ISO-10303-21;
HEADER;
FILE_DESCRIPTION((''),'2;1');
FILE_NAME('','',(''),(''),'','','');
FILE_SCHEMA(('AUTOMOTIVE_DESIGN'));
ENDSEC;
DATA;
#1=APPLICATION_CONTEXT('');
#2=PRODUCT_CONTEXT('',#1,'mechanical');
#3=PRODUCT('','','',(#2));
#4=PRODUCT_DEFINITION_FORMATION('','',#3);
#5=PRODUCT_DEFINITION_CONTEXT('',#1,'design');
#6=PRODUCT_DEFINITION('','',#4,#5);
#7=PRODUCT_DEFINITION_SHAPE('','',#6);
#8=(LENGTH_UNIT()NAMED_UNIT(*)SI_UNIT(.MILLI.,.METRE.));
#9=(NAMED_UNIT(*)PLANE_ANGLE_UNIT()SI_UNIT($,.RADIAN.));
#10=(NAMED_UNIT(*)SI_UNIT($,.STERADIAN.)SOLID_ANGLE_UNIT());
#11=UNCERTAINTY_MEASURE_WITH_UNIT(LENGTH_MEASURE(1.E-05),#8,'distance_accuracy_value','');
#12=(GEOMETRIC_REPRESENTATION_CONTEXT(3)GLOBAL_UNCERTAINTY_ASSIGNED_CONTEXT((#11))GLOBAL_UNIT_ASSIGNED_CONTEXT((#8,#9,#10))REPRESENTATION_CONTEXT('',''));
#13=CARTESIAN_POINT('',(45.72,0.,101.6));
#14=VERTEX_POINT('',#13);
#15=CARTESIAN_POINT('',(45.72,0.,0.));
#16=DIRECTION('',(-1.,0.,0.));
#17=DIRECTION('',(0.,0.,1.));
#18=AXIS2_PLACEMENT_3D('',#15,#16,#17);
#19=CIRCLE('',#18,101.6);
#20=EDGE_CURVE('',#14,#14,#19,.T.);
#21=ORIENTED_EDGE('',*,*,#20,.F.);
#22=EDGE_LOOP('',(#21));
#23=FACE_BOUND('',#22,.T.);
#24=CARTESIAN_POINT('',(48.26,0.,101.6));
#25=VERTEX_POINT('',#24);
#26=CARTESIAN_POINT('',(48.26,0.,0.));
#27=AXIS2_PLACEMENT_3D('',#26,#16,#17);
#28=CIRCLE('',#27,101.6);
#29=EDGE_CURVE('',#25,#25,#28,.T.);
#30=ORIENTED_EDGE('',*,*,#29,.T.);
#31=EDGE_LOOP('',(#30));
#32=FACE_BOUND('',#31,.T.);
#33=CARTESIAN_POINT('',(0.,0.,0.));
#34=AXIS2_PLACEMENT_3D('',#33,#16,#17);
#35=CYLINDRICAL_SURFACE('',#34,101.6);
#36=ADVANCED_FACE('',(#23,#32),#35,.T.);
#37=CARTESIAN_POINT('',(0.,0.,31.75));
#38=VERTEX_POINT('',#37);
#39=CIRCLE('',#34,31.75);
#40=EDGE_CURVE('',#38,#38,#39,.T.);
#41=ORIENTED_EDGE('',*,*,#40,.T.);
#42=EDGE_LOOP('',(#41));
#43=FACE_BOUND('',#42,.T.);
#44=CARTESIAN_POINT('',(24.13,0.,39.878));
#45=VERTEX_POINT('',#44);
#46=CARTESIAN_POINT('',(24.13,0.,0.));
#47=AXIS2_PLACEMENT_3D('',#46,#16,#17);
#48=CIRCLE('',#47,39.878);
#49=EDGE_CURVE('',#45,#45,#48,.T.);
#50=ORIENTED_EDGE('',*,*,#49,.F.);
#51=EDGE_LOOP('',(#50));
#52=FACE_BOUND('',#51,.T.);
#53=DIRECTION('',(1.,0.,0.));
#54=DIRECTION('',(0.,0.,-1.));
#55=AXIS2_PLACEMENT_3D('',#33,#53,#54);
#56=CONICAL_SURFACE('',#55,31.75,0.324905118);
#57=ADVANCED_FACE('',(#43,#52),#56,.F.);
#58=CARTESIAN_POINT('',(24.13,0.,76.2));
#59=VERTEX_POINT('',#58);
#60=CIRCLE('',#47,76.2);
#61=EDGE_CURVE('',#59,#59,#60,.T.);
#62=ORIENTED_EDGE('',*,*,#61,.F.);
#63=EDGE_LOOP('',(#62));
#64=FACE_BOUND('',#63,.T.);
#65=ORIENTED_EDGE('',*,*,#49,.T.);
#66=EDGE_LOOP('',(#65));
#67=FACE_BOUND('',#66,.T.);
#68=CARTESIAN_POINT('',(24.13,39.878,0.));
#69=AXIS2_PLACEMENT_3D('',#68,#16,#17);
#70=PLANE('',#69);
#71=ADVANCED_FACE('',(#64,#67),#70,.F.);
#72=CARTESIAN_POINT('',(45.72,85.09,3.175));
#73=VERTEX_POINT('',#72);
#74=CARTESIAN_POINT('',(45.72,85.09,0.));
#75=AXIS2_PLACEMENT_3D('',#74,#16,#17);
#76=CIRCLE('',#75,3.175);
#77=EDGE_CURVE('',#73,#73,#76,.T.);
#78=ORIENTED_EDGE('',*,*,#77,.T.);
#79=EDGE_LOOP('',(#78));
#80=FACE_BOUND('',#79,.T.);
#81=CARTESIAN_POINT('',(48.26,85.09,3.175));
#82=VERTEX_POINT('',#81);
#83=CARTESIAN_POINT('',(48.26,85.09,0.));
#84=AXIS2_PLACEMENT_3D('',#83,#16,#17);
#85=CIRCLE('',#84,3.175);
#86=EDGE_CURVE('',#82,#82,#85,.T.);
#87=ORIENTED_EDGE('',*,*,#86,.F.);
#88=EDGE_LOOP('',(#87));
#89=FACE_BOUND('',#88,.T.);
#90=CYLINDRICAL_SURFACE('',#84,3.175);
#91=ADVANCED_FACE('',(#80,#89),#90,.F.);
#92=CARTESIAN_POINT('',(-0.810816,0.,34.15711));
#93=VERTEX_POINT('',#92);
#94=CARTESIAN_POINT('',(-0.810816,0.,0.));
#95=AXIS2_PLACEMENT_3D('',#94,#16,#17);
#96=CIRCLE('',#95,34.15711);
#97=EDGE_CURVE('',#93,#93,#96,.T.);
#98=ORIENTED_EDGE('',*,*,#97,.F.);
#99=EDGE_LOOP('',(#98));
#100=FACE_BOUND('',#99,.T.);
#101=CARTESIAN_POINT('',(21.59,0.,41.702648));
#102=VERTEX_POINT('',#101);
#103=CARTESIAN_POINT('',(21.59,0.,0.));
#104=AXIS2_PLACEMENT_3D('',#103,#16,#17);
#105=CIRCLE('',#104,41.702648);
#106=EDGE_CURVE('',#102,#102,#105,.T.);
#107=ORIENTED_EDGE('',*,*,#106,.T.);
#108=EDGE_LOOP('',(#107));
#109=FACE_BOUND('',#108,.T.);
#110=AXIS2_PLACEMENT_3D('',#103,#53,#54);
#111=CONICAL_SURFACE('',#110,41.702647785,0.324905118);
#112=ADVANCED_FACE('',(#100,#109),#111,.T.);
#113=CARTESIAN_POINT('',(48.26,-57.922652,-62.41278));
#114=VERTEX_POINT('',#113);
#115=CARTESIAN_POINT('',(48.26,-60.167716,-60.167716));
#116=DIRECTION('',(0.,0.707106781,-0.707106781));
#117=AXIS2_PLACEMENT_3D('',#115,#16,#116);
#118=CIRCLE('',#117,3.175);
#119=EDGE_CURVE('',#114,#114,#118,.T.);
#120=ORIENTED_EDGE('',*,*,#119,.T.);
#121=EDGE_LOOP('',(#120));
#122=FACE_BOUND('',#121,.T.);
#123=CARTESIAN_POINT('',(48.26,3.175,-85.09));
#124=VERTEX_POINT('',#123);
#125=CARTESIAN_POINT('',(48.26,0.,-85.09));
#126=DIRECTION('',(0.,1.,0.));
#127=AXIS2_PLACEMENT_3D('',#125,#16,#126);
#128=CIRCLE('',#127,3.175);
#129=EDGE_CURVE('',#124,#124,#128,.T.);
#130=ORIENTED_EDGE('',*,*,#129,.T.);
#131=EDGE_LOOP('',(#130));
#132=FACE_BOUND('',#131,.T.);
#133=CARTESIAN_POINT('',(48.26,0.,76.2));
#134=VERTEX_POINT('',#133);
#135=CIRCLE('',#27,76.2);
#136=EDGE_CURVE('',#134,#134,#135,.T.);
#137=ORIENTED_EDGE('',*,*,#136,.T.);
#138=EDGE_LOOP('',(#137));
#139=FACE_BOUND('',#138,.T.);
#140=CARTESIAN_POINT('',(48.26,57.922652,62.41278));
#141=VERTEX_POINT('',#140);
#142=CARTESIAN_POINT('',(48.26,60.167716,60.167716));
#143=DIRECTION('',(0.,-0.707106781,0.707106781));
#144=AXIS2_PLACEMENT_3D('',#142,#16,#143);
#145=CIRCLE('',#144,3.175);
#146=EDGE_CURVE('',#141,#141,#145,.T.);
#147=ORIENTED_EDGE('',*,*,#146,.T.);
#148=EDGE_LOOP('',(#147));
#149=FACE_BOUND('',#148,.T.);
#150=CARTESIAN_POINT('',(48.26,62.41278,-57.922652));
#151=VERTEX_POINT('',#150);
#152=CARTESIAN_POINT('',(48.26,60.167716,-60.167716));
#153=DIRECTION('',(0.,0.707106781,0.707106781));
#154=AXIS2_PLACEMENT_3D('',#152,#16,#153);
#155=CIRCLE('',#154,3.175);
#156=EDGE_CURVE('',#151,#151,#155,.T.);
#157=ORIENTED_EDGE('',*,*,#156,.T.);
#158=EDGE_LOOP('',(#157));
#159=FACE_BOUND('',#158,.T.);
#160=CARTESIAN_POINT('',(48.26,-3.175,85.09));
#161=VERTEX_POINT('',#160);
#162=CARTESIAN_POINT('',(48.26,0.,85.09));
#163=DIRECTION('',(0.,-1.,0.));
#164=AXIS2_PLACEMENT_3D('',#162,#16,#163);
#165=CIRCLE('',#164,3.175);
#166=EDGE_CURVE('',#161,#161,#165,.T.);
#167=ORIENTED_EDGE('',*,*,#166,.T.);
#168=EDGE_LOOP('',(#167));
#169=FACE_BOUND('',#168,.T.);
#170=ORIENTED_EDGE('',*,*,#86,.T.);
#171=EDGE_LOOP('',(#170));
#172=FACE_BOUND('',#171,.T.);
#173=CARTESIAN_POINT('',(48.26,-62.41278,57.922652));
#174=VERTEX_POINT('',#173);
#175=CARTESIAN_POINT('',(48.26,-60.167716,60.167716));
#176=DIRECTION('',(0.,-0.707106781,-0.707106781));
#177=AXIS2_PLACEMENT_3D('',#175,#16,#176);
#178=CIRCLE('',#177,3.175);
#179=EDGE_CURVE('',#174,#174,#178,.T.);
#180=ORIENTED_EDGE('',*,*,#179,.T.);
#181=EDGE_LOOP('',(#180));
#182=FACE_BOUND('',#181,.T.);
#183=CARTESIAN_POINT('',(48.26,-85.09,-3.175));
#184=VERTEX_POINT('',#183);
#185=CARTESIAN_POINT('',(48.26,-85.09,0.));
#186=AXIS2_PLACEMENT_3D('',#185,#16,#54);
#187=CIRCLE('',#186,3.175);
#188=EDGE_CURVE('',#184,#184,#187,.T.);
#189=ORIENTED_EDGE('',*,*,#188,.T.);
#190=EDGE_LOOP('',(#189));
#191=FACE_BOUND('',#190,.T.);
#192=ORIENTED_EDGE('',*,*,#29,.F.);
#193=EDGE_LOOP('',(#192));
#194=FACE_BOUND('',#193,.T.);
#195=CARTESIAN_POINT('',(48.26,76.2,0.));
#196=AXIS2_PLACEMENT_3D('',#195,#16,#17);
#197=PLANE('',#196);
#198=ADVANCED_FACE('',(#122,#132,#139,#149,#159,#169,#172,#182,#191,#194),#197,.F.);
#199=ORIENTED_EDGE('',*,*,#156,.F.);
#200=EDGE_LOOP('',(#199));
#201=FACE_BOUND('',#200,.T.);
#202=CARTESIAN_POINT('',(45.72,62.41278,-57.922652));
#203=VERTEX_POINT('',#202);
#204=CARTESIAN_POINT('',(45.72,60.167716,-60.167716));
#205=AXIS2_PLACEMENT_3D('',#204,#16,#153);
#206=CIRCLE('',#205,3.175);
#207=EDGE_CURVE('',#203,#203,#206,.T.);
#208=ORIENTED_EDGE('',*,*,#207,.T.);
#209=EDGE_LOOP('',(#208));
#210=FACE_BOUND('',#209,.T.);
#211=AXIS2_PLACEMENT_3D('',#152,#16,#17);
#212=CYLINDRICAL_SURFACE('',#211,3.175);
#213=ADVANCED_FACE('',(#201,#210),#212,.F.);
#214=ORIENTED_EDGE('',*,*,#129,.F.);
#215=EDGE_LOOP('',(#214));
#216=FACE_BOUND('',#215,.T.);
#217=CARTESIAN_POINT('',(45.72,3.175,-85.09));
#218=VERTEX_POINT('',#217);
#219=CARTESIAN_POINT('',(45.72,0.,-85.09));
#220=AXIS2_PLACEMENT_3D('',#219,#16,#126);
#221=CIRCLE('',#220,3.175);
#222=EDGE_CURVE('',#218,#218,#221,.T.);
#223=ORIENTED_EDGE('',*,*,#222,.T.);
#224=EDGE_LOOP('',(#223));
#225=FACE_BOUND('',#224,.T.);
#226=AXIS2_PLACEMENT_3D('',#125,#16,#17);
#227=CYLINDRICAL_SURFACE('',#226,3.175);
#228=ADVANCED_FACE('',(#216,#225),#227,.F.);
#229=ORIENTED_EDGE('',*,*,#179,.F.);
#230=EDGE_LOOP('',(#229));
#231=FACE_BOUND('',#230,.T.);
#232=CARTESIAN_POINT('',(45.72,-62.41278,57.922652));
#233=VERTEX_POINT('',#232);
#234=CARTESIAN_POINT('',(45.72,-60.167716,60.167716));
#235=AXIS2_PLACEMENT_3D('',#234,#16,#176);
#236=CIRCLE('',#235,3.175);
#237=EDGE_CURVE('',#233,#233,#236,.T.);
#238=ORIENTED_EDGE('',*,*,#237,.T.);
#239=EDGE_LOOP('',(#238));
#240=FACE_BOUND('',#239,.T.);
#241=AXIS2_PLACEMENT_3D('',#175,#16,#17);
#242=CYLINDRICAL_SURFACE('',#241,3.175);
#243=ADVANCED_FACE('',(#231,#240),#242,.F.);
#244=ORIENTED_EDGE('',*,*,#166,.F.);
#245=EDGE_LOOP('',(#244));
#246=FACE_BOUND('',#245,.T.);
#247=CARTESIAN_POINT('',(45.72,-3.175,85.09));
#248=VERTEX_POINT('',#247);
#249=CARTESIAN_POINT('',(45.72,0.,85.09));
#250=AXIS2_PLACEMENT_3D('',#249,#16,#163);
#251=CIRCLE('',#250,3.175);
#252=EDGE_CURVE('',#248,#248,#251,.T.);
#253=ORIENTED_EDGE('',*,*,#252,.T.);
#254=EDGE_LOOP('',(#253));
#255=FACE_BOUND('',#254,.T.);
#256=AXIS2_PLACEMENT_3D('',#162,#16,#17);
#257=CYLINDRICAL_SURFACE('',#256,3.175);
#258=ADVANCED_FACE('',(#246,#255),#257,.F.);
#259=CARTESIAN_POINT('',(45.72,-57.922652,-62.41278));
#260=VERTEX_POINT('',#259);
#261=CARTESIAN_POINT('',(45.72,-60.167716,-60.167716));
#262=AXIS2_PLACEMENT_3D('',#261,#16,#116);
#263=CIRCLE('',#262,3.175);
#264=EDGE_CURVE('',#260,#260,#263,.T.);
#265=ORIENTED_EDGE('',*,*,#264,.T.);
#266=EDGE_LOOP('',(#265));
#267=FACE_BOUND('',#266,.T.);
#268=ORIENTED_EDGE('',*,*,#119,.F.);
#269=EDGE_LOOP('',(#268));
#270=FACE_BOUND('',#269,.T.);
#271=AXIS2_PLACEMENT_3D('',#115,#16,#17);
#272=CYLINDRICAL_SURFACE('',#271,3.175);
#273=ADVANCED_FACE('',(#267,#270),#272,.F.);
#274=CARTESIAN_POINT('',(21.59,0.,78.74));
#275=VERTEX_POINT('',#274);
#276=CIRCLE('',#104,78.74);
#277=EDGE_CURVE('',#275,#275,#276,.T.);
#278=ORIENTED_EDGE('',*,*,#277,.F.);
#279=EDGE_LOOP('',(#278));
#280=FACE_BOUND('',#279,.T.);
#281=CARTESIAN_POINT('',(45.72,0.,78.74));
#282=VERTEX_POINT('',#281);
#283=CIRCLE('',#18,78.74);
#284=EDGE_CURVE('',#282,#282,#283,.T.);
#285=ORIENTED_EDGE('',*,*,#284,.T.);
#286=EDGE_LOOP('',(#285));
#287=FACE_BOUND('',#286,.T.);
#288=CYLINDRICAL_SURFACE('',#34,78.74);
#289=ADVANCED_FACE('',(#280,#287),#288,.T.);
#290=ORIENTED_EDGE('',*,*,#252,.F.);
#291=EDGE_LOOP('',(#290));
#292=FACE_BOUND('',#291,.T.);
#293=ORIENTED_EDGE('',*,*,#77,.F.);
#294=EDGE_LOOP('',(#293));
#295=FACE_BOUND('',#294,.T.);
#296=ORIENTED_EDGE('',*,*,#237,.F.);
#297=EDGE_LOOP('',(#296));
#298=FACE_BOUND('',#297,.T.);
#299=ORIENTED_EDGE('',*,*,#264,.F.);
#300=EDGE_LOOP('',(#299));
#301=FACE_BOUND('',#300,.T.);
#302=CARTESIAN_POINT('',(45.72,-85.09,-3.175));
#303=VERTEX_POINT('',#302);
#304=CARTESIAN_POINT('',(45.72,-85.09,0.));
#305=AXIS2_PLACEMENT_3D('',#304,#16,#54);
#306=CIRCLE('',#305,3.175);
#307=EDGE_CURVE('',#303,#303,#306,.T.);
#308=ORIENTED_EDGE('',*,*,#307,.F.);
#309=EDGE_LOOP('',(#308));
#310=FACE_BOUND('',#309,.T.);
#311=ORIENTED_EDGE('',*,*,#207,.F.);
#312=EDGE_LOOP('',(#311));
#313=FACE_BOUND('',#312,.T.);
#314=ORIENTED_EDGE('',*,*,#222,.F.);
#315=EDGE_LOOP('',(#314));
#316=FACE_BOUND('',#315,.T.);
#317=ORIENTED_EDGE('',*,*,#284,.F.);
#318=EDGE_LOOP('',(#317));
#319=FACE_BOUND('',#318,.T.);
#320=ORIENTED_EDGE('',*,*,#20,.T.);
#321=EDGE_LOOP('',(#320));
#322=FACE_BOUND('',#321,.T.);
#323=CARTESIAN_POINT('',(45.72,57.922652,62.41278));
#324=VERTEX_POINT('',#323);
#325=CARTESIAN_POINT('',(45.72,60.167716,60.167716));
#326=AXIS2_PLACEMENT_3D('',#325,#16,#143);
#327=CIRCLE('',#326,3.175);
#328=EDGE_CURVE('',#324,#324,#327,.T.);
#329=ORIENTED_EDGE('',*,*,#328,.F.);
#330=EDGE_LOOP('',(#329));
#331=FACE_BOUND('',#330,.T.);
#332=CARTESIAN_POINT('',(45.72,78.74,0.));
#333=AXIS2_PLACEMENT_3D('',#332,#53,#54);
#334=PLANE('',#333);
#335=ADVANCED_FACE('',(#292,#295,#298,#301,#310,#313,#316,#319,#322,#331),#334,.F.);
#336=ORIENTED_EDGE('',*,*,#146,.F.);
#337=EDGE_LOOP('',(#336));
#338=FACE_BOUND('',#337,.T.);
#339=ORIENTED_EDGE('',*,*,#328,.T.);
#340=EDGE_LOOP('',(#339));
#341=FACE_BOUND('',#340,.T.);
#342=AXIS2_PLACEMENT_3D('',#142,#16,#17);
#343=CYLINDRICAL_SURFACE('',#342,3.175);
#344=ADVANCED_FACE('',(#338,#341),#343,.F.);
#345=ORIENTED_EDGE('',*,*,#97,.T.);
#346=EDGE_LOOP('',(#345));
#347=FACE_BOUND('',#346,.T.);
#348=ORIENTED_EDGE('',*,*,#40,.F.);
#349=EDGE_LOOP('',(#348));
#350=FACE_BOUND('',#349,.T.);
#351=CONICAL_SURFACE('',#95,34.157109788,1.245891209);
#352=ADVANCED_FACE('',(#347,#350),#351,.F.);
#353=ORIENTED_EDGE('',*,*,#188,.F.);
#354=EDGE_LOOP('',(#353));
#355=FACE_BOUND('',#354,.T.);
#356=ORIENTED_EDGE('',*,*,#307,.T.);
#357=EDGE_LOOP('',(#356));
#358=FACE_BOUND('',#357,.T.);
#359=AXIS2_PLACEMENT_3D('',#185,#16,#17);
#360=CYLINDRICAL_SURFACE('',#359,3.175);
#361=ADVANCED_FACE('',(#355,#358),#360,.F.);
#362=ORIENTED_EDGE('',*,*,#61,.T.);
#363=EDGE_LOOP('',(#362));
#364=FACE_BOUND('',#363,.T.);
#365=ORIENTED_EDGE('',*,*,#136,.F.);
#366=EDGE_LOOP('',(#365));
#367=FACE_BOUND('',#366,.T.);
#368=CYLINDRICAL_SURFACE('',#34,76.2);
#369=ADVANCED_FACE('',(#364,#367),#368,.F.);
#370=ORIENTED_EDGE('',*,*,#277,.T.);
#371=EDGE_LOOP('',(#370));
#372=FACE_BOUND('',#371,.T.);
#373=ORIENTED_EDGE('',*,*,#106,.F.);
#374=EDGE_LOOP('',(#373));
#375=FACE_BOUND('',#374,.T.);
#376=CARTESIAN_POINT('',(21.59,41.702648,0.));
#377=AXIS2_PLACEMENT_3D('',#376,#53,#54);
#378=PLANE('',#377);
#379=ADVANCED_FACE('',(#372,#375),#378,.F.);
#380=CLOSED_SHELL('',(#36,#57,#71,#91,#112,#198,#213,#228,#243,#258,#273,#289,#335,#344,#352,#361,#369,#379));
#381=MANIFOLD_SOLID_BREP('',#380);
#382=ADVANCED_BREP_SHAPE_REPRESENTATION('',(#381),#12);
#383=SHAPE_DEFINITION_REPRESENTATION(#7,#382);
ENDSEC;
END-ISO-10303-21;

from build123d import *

# Parameters (mm, degrees)
SKETCH2_R          = 3.175
CUT_EXTRUDE1_DEPTH = 2.54
CIRPATTERN1_COUNT  = 8


with BuildPart() as part:
    # Sketch1 → Revolve1 (revolve)
    with BuildSketch(Plane.XY):
        Polygon((0, 31.75), (24.13, 39.878), (24.13, 76.2), (48.26, 76.2), (48.26, 101.6), (45.72, 101.6), (45.72, 78.74), (21.59, 78.74), (21.59, 41.702647785), (-0.810815928, 34.157109788), align=None)
    revolve(axis=Axis((0, 0, 0), (1, 0, 0)))

    # Sketch2 → Cut-Extrude1 (cut)
    with BuildSketch(Plane.ZY.offset(-45.72)):
        with Locations((0, 85.09)):
            Circle(SKETCH2_R)
    cut_extrude1 = extrude(amount=-CUT_EXTRUDE1_DEPTH, mode=Mode.SUBTRACT)

    # CirPattern1: Cut-Extrude1 ×8 about axis
    cirpattern1_axis = Axis((0, 0, 0), (1, 0, 0))
    for i in range(1, CIRPATTERN1_COUNT):
        add(cut_extrude1.rotate(cirpattern1_axis, i * 360 / CIRPATTERN1_COUNT), mode=Mode.SUBTRACT)


solid = part.part
